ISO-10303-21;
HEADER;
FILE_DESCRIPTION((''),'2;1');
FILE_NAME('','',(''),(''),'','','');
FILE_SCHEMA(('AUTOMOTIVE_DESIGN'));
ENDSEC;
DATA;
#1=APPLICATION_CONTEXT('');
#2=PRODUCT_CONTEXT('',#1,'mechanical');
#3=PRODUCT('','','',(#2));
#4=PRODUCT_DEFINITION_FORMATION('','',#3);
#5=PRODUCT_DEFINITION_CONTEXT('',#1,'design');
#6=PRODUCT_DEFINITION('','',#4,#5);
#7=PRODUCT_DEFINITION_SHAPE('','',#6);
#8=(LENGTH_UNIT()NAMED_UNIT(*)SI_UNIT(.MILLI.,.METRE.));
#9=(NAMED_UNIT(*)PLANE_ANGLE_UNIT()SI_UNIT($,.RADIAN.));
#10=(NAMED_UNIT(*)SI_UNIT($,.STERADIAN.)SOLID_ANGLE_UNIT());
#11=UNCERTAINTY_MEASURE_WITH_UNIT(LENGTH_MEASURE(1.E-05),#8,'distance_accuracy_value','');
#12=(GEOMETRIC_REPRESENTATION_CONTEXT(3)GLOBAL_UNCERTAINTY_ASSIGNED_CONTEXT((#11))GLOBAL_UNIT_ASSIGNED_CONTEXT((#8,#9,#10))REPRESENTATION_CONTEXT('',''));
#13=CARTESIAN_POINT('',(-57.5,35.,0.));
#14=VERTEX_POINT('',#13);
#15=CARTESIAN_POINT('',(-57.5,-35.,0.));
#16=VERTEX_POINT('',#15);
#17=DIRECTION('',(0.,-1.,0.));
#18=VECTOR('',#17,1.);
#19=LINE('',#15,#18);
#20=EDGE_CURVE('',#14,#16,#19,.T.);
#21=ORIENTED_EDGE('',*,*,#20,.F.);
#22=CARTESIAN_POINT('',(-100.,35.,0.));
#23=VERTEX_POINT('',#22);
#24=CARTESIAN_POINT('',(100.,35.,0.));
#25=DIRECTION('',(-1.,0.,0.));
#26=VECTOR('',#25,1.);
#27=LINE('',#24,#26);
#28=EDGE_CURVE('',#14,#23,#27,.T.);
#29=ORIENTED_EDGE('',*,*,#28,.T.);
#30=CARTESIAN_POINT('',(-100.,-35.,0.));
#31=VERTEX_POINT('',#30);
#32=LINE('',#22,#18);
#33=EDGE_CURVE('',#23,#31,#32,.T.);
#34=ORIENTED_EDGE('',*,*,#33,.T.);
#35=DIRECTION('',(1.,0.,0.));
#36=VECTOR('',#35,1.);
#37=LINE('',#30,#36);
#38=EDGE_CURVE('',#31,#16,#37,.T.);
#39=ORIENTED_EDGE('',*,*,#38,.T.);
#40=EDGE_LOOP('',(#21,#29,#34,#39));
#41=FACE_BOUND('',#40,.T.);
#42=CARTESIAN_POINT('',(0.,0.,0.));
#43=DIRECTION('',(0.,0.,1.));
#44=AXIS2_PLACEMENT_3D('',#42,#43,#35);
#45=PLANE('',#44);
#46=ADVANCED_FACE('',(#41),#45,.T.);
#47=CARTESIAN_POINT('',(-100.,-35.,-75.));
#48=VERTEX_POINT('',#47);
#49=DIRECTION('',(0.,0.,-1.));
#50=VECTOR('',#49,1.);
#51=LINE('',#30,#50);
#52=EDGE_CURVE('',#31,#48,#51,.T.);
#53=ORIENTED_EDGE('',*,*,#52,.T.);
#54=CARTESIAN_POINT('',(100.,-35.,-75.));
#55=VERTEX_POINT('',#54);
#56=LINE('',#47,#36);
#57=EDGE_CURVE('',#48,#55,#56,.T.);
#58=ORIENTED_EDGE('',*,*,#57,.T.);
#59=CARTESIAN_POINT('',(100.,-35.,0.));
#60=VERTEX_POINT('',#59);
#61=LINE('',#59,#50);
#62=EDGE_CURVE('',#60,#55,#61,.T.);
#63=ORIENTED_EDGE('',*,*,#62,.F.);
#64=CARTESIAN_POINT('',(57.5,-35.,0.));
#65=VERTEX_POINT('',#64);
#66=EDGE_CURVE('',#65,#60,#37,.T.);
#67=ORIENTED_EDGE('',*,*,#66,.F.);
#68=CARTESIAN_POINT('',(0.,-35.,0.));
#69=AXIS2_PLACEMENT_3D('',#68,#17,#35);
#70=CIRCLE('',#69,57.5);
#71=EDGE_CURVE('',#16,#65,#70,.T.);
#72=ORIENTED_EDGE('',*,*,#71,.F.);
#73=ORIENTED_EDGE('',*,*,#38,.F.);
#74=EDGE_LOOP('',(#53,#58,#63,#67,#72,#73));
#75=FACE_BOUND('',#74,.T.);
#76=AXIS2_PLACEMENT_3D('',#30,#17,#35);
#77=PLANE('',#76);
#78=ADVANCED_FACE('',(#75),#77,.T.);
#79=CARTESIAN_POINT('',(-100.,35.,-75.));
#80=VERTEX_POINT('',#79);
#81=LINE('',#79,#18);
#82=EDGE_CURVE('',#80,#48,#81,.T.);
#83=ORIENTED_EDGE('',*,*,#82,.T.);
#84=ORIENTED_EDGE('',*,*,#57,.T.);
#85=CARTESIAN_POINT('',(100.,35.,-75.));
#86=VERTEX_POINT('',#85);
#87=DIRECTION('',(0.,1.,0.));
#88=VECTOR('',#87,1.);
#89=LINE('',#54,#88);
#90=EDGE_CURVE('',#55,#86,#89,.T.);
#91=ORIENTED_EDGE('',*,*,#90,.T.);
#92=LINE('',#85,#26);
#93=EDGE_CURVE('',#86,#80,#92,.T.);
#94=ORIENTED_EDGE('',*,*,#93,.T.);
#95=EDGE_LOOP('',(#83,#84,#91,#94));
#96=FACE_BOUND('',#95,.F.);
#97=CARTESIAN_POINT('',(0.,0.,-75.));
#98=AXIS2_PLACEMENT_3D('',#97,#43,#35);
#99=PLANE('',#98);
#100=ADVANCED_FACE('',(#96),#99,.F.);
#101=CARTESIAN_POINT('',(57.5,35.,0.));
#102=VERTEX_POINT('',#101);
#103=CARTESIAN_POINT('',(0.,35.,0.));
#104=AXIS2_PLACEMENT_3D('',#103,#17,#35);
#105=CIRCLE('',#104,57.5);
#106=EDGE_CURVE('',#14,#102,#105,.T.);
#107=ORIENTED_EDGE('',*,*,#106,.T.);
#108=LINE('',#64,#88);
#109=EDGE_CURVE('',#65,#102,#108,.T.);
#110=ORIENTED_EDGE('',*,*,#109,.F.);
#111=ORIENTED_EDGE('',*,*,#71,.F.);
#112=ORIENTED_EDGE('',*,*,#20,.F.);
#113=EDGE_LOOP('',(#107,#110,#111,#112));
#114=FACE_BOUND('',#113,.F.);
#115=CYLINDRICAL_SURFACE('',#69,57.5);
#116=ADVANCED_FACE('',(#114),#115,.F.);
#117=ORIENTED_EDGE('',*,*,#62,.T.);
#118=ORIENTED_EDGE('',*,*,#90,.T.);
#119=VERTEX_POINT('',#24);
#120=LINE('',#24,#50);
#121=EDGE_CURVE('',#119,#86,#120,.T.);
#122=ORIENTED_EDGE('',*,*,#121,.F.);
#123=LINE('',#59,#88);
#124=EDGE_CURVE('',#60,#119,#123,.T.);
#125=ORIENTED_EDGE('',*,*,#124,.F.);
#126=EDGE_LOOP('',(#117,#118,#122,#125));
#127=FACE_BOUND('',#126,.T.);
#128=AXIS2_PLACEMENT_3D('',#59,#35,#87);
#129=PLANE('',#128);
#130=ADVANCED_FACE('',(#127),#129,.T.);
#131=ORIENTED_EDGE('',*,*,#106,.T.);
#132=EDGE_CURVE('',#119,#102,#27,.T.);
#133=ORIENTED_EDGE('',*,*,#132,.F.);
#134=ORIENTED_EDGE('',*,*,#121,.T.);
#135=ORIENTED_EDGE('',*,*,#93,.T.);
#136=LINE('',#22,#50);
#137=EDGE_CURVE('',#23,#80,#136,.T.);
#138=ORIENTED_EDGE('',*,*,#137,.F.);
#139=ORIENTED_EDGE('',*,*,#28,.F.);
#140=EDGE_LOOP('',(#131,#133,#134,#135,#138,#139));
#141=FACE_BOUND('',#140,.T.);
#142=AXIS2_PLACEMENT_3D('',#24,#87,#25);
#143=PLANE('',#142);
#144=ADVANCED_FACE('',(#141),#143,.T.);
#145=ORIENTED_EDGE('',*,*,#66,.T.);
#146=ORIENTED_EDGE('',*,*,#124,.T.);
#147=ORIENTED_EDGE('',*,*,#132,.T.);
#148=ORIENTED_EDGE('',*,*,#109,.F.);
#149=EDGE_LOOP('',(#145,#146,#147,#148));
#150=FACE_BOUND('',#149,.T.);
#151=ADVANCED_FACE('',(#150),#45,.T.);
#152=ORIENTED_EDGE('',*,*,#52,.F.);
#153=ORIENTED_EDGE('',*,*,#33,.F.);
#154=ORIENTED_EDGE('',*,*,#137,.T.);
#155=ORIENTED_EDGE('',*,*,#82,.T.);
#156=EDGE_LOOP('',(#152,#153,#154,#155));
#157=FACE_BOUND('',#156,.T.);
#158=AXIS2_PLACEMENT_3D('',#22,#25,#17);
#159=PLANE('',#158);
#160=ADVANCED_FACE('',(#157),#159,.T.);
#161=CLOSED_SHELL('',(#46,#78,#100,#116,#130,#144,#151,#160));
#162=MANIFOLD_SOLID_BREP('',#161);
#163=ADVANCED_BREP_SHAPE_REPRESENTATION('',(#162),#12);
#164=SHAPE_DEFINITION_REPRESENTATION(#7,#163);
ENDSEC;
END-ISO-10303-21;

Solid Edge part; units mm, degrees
sketch "Sketch1" plane through (0, 0, 0) normal (0, 0, 1) x (1, 0, 0)
  line L0 (-100, -35) -> (100, -35)
  line L1 (100, -35) -> (100, 35)
  line L2 (100, 35) -> (-100, 35)
  line L3 (-100, 35) -> (-100, -35)
extrude "Protrusion1" add sketch "Sketch1" against normal blind 75
sketch "Sketch2" plane through (0, -35, -37.5) normal (0, -1, 0) x (1, 0, 0)
  circle A0 centre (0, 37.5) radius 57.5
extrude "Recorte_Extrudado_2" cut sketch "Sketch2" against normal blind 70
